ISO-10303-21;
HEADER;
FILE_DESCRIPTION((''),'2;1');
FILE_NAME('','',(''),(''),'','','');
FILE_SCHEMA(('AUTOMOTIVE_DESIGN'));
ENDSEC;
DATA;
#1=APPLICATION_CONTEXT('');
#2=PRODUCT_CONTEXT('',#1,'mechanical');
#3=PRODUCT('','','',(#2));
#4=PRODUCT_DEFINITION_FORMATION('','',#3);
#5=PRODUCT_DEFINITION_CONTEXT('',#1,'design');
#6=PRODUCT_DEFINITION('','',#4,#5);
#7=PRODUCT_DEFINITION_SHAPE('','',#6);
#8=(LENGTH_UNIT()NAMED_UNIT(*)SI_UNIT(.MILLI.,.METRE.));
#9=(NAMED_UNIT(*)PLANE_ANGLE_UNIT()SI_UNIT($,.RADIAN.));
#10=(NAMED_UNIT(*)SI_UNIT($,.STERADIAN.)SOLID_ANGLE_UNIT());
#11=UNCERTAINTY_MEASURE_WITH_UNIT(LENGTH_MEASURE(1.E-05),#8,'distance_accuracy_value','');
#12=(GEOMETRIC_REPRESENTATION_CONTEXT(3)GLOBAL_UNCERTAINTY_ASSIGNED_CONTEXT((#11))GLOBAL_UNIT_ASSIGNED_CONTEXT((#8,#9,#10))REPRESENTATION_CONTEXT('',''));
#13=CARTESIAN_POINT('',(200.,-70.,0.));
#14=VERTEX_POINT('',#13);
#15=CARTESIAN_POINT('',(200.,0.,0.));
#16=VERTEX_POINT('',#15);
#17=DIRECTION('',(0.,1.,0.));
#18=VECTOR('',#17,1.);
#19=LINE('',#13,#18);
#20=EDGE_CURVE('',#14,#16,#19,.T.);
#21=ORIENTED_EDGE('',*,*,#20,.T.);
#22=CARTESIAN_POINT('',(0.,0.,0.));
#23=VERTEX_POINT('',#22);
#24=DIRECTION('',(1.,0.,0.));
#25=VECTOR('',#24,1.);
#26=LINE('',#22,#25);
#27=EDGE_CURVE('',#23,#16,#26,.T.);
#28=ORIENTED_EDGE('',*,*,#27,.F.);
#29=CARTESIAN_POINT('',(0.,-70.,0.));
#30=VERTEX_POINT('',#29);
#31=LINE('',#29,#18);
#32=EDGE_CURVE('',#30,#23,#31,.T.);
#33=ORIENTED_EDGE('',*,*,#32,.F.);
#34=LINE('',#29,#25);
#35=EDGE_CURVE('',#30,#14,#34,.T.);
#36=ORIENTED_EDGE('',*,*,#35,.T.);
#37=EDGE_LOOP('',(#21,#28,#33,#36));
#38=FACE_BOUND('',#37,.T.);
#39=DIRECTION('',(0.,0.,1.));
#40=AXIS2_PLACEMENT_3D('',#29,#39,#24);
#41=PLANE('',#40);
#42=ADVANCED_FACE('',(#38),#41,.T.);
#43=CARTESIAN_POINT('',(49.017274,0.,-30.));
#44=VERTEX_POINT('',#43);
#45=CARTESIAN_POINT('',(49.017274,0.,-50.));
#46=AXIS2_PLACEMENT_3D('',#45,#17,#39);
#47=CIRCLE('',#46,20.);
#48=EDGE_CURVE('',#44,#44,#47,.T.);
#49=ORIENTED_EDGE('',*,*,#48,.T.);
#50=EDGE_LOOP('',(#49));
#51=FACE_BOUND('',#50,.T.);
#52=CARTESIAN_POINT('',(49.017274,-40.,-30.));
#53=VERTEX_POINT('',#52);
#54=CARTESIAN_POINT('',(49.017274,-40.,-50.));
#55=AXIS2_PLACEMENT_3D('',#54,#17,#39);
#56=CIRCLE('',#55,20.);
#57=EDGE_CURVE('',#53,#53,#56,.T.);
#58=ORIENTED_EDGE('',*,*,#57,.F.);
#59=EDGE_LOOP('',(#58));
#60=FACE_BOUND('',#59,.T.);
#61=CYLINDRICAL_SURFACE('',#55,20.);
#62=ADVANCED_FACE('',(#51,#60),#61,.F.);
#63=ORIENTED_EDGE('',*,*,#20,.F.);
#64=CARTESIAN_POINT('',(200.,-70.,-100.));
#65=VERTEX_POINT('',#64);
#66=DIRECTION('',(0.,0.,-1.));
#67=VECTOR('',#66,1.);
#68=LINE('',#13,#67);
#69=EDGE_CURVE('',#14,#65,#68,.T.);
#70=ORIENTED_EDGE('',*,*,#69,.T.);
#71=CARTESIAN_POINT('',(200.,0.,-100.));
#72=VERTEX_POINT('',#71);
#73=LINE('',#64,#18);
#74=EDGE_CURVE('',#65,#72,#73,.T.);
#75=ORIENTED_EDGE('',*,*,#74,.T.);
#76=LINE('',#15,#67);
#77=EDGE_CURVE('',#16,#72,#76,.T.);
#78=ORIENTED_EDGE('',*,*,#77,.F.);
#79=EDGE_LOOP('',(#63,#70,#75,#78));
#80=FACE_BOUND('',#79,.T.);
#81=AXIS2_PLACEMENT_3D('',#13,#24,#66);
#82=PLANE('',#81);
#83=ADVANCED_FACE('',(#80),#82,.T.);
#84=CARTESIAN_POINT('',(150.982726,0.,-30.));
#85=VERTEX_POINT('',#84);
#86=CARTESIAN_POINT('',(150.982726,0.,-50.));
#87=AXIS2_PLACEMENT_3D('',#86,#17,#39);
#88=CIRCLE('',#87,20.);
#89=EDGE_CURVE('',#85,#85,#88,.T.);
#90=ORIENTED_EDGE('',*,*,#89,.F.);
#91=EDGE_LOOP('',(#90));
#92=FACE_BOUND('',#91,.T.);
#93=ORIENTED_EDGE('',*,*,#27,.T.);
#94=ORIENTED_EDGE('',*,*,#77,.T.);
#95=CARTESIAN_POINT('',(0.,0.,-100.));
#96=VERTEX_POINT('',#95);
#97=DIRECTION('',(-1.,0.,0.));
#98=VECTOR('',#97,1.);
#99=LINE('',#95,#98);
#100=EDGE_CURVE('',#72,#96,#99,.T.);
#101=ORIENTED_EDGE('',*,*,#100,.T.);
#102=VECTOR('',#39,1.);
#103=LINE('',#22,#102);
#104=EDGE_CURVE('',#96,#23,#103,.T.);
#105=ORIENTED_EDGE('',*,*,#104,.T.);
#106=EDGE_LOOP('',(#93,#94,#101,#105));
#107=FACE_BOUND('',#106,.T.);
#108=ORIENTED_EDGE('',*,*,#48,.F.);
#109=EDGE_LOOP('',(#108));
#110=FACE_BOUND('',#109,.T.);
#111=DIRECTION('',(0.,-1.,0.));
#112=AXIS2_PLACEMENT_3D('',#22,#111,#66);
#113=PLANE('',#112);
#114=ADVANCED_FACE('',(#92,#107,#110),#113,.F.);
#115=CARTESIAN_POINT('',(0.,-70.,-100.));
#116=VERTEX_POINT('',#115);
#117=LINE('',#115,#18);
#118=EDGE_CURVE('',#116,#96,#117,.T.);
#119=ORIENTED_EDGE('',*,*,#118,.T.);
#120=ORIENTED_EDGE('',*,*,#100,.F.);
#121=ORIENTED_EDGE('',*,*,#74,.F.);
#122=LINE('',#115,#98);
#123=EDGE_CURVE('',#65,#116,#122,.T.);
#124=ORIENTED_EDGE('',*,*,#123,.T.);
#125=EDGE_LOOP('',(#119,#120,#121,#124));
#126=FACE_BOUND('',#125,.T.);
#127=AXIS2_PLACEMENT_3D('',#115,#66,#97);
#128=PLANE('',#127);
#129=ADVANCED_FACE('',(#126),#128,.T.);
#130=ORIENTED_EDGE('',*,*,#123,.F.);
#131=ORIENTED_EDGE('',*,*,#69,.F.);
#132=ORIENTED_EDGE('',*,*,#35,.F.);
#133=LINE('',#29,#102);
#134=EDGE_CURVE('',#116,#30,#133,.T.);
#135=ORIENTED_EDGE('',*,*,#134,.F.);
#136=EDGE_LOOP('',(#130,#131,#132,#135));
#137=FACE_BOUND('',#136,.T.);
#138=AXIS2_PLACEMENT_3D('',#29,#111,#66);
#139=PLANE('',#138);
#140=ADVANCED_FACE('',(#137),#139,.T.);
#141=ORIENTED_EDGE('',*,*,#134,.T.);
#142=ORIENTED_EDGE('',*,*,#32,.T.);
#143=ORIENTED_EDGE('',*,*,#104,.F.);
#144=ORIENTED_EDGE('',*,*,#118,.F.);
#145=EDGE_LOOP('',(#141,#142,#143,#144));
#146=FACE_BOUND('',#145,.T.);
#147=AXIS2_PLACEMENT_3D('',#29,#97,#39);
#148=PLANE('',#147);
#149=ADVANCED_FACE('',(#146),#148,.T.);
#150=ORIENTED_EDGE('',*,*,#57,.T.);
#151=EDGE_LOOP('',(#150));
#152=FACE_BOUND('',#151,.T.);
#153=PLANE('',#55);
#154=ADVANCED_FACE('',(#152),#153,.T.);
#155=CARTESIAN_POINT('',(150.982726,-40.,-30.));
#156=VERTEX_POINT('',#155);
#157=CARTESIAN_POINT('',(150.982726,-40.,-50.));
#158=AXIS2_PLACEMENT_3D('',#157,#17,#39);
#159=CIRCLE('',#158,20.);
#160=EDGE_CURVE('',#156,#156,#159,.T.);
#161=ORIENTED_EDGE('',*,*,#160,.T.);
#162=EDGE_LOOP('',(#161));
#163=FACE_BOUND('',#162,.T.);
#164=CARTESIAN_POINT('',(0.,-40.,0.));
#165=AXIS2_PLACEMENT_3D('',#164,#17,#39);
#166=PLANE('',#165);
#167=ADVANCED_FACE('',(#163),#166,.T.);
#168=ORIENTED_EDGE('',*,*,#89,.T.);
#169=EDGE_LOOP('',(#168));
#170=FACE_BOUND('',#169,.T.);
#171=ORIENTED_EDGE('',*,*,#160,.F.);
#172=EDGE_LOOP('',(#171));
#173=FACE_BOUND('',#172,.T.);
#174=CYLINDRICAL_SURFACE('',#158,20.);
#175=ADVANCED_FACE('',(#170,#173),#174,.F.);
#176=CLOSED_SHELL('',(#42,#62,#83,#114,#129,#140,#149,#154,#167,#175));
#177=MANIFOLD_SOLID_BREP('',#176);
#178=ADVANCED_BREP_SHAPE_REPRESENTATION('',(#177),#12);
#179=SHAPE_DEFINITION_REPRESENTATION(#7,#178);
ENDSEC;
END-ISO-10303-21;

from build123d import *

# Parameters (mm, degrees)
SKETCH_1_W          = 200
SKETCH_1_H          = 100
EXTRUDE_1_DEPTH     = 70
SKETCH_3_R          = 20
CUT_EXTRUDE_1_DEPTH = 40
SKETCH_3_3_R        = 20
CUT_EXTRUDE_2_DEPTH = 40


with BuildPart() as part:
    # Эскиз1 → Бобышка-Вытянуть1 (new body)
    with BuildSketch(Plane(origin=(0, 0, 0), x_dir=(1, 0, 0), z_dir=(0, 1, 0))):
        with Locations((100, 50)):
            Rectangle(SKETCH_1_W, SKETCH_1_H)
    extrude(amount=-EXTRUDE_1_DEPTH)

    # Эскиз3 → Вырез-Вытянуть1 (cut)
    with BuildSketch(Plane(origin=(0, 0, 0), x_dir=(1, 0, 0), z_dir=(0, 1, 0))):
        with Locations((49.017273864, 50)):
            Circle(SKETCH_3_R)
    extrude(amount=-CUT_EXTRUDE_1_DEPTH, mode=Mode.SUBTRACT)

    # Эскиз3<3> → Вырез-Вытянуть2 (cut)
    with BuildSketch(Plane(origin=(0, 0, 0), x_dir=(1, 0, 0), z_dir=(0, 1, 0))):
        with Locations((150.982726136, 50)):
            Circle(SKETCH_3_3_R)
    extrude(amount=-CUT_EXTRUDE_2_DEPTH, mode=Mode.SUBTRACT)


solid = part.part
